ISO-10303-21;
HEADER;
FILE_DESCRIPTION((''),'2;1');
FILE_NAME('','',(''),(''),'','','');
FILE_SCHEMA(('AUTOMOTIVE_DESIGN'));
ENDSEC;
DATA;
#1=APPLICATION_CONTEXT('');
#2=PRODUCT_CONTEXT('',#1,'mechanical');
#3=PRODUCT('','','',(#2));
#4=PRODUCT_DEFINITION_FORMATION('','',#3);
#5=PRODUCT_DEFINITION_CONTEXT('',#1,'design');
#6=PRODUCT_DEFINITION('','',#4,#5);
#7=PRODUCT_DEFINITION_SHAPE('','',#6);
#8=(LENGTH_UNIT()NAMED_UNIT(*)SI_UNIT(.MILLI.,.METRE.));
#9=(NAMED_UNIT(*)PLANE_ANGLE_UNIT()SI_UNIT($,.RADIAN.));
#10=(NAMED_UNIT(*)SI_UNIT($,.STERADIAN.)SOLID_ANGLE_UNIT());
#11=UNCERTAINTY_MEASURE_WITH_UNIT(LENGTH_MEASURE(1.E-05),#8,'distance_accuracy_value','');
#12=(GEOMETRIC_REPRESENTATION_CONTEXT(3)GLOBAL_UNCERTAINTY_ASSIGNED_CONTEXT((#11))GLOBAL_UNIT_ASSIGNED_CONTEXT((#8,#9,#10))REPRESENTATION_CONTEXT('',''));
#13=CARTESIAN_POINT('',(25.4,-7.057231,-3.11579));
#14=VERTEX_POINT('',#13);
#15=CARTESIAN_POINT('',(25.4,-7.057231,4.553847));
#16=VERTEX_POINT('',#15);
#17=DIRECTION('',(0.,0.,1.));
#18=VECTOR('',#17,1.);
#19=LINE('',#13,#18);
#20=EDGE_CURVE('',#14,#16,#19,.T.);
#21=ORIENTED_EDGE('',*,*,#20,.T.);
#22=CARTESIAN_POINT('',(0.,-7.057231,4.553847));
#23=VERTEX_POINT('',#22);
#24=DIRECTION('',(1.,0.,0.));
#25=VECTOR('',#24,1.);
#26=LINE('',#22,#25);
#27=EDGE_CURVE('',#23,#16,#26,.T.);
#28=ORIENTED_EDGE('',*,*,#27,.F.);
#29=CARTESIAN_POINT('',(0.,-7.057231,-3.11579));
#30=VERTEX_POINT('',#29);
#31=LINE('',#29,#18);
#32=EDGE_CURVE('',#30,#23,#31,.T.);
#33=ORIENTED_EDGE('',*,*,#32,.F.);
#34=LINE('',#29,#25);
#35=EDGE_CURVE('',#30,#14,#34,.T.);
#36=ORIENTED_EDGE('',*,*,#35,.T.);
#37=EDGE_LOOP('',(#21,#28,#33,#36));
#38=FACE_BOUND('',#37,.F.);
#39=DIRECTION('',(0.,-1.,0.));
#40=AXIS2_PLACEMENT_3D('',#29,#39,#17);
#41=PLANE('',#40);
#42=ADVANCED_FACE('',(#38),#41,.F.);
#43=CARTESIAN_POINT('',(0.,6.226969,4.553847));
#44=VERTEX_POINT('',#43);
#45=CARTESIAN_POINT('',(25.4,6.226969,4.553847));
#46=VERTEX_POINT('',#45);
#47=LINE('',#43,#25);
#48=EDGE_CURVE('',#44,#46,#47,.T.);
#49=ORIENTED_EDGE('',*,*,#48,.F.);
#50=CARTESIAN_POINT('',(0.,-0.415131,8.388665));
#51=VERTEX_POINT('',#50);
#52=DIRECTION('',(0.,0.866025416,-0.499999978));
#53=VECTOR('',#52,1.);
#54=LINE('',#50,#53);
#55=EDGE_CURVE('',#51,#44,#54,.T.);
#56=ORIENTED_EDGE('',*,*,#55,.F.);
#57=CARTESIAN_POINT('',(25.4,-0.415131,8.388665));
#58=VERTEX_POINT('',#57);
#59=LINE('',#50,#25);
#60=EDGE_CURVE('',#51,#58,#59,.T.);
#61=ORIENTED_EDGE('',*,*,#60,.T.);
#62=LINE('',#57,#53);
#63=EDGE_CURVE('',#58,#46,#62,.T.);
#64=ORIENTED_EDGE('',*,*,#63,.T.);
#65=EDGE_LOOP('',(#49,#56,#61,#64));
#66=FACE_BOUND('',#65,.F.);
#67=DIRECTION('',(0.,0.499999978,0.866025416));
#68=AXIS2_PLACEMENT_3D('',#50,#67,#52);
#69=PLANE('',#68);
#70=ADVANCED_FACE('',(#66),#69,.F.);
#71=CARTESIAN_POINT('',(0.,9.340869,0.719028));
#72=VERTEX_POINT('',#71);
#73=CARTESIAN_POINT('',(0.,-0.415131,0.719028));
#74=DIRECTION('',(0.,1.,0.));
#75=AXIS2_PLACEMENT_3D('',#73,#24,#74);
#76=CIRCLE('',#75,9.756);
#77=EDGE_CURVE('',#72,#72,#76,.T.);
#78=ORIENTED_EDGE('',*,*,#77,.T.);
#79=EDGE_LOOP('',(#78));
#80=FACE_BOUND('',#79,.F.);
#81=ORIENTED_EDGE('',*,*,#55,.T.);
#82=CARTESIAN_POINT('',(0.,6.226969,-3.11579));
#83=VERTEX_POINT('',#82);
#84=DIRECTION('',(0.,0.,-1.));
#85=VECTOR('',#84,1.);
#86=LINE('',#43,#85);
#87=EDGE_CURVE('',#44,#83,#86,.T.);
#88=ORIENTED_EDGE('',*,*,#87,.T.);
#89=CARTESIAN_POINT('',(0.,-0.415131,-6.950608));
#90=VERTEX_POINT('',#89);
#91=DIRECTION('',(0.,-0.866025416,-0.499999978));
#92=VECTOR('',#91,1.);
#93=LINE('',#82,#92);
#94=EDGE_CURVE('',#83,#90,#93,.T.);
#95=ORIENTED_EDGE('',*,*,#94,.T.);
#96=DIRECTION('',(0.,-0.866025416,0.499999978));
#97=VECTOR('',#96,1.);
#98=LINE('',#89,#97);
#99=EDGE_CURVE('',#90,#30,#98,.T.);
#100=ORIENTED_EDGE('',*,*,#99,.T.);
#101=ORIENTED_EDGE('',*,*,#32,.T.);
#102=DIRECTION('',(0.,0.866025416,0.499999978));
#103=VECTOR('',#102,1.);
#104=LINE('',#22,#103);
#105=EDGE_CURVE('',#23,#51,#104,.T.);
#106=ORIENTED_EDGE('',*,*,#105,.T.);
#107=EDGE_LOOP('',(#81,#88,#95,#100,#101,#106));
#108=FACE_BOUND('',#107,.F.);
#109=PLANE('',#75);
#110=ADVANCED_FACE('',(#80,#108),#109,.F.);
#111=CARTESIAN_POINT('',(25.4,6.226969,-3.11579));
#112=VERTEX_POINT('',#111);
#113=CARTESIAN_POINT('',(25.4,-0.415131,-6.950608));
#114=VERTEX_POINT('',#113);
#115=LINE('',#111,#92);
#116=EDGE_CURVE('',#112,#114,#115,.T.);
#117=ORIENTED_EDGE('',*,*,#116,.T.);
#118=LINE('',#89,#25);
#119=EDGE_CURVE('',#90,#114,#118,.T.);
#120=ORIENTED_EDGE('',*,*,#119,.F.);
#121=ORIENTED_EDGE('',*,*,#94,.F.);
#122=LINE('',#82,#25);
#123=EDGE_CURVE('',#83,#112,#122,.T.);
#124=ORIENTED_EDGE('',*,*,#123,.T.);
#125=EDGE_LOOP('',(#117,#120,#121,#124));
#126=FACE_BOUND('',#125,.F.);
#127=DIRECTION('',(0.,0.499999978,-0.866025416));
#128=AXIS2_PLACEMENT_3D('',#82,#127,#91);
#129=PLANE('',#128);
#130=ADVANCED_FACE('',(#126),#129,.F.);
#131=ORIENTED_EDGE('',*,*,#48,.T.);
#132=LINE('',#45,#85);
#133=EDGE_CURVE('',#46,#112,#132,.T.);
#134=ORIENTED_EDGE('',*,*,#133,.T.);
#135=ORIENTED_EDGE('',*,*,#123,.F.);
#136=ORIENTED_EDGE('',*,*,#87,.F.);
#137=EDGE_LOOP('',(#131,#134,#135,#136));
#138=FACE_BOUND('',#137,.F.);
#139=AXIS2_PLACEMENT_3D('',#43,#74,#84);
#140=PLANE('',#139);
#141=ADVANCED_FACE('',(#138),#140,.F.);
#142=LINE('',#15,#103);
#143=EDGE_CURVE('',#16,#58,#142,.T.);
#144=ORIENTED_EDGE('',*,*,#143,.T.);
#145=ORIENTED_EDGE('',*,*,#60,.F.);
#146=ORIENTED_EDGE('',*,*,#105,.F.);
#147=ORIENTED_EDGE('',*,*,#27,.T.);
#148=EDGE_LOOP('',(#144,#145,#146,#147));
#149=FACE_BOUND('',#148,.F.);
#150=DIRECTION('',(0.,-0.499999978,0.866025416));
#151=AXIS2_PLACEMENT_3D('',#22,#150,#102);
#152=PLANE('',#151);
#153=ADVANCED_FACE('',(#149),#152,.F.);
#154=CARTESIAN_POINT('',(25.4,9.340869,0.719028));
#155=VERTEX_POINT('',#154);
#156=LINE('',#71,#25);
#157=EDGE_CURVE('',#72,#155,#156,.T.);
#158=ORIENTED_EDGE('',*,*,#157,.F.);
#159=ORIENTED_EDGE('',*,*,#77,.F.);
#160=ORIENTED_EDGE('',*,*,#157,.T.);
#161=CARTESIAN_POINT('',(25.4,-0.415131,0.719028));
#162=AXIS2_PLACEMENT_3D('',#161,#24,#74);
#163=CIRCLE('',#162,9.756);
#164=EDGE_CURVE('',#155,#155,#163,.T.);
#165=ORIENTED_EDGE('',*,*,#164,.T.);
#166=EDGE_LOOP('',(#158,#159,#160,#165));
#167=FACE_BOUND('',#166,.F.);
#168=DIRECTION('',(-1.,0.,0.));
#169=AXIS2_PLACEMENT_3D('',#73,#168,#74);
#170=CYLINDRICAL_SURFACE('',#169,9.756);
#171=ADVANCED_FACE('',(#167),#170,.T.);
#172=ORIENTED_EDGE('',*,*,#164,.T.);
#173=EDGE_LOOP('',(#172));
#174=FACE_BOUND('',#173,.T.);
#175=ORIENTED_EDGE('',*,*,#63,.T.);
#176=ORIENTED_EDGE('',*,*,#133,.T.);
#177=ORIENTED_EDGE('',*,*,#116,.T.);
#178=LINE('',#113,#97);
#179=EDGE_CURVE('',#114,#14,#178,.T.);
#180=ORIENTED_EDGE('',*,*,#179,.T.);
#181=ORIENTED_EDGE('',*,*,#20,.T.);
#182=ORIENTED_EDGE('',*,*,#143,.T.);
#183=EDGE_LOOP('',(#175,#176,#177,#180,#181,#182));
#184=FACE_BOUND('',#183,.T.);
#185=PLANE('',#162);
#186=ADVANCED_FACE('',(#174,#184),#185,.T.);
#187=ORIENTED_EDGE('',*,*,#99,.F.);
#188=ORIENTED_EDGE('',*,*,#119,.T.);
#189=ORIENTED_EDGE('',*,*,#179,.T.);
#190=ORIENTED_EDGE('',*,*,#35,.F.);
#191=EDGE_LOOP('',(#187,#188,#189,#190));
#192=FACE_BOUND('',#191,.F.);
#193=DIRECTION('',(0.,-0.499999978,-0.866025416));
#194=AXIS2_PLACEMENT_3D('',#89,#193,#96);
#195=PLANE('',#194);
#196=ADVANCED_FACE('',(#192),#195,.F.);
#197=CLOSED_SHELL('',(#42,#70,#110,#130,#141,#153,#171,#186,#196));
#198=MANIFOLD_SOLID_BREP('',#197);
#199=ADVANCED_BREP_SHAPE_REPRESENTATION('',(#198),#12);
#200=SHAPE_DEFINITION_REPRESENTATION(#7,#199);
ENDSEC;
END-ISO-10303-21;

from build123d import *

# Parameters (mm, degrees)
F0_R     = 9.756
F1_DEPTH = 25.4


with BuildPart() as f1:
    # F0 (on Right) → F1 (new body)
    with BuildSketch(Plane.YZ):
        with Locations((-0.415131, 0.719028)):
            Circle(F0_R)
        Polygon((6.226969, 4.553847), (6.226969, -3.11579), (-0.415131, -6.950608), (-7.057231, -3.11579), (-7.057231, 4.553847), (-0.415131, 8.388665), align=None, mode=Mode.SUBTRACT)
    extrude(amount=F1_DEPTH)


solid = f1.part
